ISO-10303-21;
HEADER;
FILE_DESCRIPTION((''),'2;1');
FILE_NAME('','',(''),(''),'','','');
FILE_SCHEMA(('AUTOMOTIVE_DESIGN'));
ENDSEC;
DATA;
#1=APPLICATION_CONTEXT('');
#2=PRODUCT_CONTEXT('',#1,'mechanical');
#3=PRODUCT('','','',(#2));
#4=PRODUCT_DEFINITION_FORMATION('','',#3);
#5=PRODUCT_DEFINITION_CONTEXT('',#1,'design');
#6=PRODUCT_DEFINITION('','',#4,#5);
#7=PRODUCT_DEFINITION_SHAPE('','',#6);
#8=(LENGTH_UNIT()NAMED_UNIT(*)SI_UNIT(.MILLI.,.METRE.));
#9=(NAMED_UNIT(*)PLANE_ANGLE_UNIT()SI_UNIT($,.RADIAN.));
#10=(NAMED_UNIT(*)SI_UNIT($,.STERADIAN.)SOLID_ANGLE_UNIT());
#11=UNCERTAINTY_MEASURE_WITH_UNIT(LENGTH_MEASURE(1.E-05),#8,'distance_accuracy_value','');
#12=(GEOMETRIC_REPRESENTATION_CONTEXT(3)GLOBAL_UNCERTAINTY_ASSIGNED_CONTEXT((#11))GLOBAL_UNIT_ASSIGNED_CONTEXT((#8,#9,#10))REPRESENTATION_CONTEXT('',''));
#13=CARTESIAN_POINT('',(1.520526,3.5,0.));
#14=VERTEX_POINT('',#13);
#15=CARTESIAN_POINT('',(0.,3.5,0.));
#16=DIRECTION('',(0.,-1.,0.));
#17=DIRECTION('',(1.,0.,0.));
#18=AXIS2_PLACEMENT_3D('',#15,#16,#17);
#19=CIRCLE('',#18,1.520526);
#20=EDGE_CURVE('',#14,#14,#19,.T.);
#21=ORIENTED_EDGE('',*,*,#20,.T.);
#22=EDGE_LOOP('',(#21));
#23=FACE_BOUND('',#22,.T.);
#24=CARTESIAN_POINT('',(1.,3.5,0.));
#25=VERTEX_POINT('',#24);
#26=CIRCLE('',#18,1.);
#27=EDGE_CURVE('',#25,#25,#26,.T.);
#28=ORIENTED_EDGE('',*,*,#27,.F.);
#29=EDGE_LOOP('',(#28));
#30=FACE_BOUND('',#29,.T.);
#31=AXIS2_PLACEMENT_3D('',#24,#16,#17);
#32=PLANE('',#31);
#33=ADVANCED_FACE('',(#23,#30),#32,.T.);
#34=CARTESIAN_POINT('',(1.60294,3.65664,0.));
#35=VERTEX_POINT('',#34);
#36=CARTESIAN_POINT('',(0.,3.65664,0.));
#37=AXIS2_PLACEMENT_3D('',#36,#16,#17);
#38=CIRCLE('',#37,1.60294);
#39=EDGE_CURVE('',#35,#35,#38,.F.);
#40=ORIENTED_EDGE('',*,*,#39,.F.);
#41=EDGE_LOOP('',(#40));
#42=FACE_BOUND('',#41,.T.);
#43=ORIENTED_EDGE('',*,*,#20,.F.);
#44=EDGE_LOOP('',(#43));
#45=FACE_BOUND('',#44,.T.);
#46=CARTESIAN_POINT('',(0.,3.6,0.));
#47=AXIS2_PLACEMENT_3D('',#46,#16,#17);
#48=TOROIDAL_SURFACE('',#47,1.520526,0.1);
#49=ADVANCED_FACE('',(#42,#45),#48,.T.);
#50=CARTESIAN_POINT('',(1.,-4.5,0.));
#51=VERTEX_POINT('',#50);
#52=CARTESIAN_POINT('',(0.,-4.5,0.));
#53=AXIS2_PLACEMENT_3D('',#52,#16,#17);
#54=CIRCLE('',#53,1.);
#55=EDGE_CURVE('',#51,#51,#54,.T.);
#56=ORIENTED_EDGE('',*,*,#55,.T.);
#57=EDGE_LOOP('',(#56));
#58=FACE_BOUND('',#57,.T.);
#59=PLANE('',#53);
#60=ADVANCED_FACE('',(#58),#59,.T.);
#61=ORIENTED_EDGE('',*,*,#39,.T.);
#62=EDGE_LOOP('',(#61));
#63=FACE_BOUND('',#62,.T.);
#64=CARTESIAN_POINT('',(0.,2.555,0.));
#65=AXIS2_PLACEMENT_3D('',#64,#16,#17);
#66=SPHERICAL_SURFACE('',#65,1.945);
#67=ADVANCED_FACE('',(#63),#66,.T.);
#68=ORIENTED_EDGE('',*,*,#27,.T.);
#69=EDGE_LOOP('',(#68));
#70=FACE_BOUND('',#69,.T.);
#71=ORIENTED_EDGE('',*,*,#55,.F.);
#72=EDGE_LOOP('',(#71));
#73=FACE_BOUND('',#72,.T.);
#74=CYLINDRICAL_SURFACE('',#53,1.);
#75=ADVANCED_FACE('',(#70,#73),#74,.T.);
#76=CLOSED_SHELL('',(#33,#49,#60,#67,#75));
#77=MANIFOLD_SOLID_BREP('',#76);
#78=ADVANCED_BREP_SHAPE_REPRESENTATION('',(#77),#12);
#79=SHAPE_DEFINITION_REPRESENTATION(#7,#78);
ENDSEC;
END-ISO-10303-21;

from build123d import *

# Parameters (mm, degrees)
FILLET1_R = 0.1


with BuildPart() as part:
    # Sketch1 → Revolve1 (revolve)
    with BuildSketch(Plane.XY):
        with BuildLine():
            Line((0, -4.5), (0, 4.5))
            ThreePointArc((0, 4.5), (0.986154146, 4.231462048), (1.7, 3.5))
            Line((1.7, 3.5), (1, 3.5))
            Line((1, 3.5), (1, -4.5))
            Line((1, -4.5), (0, -4.5))
        make_face()
    revolve(axis=Axis((0, -4.5, 0), (0, 1, 0)))

    # Fillet1
    fillet1_edges = [part.edges().sort_by_distance(p)[0] for p in [
        (-1.7, 3.5, 0),
    ]]
    fillet(fillet1_edges, radius=FILLET1_R)


solid = part.part
